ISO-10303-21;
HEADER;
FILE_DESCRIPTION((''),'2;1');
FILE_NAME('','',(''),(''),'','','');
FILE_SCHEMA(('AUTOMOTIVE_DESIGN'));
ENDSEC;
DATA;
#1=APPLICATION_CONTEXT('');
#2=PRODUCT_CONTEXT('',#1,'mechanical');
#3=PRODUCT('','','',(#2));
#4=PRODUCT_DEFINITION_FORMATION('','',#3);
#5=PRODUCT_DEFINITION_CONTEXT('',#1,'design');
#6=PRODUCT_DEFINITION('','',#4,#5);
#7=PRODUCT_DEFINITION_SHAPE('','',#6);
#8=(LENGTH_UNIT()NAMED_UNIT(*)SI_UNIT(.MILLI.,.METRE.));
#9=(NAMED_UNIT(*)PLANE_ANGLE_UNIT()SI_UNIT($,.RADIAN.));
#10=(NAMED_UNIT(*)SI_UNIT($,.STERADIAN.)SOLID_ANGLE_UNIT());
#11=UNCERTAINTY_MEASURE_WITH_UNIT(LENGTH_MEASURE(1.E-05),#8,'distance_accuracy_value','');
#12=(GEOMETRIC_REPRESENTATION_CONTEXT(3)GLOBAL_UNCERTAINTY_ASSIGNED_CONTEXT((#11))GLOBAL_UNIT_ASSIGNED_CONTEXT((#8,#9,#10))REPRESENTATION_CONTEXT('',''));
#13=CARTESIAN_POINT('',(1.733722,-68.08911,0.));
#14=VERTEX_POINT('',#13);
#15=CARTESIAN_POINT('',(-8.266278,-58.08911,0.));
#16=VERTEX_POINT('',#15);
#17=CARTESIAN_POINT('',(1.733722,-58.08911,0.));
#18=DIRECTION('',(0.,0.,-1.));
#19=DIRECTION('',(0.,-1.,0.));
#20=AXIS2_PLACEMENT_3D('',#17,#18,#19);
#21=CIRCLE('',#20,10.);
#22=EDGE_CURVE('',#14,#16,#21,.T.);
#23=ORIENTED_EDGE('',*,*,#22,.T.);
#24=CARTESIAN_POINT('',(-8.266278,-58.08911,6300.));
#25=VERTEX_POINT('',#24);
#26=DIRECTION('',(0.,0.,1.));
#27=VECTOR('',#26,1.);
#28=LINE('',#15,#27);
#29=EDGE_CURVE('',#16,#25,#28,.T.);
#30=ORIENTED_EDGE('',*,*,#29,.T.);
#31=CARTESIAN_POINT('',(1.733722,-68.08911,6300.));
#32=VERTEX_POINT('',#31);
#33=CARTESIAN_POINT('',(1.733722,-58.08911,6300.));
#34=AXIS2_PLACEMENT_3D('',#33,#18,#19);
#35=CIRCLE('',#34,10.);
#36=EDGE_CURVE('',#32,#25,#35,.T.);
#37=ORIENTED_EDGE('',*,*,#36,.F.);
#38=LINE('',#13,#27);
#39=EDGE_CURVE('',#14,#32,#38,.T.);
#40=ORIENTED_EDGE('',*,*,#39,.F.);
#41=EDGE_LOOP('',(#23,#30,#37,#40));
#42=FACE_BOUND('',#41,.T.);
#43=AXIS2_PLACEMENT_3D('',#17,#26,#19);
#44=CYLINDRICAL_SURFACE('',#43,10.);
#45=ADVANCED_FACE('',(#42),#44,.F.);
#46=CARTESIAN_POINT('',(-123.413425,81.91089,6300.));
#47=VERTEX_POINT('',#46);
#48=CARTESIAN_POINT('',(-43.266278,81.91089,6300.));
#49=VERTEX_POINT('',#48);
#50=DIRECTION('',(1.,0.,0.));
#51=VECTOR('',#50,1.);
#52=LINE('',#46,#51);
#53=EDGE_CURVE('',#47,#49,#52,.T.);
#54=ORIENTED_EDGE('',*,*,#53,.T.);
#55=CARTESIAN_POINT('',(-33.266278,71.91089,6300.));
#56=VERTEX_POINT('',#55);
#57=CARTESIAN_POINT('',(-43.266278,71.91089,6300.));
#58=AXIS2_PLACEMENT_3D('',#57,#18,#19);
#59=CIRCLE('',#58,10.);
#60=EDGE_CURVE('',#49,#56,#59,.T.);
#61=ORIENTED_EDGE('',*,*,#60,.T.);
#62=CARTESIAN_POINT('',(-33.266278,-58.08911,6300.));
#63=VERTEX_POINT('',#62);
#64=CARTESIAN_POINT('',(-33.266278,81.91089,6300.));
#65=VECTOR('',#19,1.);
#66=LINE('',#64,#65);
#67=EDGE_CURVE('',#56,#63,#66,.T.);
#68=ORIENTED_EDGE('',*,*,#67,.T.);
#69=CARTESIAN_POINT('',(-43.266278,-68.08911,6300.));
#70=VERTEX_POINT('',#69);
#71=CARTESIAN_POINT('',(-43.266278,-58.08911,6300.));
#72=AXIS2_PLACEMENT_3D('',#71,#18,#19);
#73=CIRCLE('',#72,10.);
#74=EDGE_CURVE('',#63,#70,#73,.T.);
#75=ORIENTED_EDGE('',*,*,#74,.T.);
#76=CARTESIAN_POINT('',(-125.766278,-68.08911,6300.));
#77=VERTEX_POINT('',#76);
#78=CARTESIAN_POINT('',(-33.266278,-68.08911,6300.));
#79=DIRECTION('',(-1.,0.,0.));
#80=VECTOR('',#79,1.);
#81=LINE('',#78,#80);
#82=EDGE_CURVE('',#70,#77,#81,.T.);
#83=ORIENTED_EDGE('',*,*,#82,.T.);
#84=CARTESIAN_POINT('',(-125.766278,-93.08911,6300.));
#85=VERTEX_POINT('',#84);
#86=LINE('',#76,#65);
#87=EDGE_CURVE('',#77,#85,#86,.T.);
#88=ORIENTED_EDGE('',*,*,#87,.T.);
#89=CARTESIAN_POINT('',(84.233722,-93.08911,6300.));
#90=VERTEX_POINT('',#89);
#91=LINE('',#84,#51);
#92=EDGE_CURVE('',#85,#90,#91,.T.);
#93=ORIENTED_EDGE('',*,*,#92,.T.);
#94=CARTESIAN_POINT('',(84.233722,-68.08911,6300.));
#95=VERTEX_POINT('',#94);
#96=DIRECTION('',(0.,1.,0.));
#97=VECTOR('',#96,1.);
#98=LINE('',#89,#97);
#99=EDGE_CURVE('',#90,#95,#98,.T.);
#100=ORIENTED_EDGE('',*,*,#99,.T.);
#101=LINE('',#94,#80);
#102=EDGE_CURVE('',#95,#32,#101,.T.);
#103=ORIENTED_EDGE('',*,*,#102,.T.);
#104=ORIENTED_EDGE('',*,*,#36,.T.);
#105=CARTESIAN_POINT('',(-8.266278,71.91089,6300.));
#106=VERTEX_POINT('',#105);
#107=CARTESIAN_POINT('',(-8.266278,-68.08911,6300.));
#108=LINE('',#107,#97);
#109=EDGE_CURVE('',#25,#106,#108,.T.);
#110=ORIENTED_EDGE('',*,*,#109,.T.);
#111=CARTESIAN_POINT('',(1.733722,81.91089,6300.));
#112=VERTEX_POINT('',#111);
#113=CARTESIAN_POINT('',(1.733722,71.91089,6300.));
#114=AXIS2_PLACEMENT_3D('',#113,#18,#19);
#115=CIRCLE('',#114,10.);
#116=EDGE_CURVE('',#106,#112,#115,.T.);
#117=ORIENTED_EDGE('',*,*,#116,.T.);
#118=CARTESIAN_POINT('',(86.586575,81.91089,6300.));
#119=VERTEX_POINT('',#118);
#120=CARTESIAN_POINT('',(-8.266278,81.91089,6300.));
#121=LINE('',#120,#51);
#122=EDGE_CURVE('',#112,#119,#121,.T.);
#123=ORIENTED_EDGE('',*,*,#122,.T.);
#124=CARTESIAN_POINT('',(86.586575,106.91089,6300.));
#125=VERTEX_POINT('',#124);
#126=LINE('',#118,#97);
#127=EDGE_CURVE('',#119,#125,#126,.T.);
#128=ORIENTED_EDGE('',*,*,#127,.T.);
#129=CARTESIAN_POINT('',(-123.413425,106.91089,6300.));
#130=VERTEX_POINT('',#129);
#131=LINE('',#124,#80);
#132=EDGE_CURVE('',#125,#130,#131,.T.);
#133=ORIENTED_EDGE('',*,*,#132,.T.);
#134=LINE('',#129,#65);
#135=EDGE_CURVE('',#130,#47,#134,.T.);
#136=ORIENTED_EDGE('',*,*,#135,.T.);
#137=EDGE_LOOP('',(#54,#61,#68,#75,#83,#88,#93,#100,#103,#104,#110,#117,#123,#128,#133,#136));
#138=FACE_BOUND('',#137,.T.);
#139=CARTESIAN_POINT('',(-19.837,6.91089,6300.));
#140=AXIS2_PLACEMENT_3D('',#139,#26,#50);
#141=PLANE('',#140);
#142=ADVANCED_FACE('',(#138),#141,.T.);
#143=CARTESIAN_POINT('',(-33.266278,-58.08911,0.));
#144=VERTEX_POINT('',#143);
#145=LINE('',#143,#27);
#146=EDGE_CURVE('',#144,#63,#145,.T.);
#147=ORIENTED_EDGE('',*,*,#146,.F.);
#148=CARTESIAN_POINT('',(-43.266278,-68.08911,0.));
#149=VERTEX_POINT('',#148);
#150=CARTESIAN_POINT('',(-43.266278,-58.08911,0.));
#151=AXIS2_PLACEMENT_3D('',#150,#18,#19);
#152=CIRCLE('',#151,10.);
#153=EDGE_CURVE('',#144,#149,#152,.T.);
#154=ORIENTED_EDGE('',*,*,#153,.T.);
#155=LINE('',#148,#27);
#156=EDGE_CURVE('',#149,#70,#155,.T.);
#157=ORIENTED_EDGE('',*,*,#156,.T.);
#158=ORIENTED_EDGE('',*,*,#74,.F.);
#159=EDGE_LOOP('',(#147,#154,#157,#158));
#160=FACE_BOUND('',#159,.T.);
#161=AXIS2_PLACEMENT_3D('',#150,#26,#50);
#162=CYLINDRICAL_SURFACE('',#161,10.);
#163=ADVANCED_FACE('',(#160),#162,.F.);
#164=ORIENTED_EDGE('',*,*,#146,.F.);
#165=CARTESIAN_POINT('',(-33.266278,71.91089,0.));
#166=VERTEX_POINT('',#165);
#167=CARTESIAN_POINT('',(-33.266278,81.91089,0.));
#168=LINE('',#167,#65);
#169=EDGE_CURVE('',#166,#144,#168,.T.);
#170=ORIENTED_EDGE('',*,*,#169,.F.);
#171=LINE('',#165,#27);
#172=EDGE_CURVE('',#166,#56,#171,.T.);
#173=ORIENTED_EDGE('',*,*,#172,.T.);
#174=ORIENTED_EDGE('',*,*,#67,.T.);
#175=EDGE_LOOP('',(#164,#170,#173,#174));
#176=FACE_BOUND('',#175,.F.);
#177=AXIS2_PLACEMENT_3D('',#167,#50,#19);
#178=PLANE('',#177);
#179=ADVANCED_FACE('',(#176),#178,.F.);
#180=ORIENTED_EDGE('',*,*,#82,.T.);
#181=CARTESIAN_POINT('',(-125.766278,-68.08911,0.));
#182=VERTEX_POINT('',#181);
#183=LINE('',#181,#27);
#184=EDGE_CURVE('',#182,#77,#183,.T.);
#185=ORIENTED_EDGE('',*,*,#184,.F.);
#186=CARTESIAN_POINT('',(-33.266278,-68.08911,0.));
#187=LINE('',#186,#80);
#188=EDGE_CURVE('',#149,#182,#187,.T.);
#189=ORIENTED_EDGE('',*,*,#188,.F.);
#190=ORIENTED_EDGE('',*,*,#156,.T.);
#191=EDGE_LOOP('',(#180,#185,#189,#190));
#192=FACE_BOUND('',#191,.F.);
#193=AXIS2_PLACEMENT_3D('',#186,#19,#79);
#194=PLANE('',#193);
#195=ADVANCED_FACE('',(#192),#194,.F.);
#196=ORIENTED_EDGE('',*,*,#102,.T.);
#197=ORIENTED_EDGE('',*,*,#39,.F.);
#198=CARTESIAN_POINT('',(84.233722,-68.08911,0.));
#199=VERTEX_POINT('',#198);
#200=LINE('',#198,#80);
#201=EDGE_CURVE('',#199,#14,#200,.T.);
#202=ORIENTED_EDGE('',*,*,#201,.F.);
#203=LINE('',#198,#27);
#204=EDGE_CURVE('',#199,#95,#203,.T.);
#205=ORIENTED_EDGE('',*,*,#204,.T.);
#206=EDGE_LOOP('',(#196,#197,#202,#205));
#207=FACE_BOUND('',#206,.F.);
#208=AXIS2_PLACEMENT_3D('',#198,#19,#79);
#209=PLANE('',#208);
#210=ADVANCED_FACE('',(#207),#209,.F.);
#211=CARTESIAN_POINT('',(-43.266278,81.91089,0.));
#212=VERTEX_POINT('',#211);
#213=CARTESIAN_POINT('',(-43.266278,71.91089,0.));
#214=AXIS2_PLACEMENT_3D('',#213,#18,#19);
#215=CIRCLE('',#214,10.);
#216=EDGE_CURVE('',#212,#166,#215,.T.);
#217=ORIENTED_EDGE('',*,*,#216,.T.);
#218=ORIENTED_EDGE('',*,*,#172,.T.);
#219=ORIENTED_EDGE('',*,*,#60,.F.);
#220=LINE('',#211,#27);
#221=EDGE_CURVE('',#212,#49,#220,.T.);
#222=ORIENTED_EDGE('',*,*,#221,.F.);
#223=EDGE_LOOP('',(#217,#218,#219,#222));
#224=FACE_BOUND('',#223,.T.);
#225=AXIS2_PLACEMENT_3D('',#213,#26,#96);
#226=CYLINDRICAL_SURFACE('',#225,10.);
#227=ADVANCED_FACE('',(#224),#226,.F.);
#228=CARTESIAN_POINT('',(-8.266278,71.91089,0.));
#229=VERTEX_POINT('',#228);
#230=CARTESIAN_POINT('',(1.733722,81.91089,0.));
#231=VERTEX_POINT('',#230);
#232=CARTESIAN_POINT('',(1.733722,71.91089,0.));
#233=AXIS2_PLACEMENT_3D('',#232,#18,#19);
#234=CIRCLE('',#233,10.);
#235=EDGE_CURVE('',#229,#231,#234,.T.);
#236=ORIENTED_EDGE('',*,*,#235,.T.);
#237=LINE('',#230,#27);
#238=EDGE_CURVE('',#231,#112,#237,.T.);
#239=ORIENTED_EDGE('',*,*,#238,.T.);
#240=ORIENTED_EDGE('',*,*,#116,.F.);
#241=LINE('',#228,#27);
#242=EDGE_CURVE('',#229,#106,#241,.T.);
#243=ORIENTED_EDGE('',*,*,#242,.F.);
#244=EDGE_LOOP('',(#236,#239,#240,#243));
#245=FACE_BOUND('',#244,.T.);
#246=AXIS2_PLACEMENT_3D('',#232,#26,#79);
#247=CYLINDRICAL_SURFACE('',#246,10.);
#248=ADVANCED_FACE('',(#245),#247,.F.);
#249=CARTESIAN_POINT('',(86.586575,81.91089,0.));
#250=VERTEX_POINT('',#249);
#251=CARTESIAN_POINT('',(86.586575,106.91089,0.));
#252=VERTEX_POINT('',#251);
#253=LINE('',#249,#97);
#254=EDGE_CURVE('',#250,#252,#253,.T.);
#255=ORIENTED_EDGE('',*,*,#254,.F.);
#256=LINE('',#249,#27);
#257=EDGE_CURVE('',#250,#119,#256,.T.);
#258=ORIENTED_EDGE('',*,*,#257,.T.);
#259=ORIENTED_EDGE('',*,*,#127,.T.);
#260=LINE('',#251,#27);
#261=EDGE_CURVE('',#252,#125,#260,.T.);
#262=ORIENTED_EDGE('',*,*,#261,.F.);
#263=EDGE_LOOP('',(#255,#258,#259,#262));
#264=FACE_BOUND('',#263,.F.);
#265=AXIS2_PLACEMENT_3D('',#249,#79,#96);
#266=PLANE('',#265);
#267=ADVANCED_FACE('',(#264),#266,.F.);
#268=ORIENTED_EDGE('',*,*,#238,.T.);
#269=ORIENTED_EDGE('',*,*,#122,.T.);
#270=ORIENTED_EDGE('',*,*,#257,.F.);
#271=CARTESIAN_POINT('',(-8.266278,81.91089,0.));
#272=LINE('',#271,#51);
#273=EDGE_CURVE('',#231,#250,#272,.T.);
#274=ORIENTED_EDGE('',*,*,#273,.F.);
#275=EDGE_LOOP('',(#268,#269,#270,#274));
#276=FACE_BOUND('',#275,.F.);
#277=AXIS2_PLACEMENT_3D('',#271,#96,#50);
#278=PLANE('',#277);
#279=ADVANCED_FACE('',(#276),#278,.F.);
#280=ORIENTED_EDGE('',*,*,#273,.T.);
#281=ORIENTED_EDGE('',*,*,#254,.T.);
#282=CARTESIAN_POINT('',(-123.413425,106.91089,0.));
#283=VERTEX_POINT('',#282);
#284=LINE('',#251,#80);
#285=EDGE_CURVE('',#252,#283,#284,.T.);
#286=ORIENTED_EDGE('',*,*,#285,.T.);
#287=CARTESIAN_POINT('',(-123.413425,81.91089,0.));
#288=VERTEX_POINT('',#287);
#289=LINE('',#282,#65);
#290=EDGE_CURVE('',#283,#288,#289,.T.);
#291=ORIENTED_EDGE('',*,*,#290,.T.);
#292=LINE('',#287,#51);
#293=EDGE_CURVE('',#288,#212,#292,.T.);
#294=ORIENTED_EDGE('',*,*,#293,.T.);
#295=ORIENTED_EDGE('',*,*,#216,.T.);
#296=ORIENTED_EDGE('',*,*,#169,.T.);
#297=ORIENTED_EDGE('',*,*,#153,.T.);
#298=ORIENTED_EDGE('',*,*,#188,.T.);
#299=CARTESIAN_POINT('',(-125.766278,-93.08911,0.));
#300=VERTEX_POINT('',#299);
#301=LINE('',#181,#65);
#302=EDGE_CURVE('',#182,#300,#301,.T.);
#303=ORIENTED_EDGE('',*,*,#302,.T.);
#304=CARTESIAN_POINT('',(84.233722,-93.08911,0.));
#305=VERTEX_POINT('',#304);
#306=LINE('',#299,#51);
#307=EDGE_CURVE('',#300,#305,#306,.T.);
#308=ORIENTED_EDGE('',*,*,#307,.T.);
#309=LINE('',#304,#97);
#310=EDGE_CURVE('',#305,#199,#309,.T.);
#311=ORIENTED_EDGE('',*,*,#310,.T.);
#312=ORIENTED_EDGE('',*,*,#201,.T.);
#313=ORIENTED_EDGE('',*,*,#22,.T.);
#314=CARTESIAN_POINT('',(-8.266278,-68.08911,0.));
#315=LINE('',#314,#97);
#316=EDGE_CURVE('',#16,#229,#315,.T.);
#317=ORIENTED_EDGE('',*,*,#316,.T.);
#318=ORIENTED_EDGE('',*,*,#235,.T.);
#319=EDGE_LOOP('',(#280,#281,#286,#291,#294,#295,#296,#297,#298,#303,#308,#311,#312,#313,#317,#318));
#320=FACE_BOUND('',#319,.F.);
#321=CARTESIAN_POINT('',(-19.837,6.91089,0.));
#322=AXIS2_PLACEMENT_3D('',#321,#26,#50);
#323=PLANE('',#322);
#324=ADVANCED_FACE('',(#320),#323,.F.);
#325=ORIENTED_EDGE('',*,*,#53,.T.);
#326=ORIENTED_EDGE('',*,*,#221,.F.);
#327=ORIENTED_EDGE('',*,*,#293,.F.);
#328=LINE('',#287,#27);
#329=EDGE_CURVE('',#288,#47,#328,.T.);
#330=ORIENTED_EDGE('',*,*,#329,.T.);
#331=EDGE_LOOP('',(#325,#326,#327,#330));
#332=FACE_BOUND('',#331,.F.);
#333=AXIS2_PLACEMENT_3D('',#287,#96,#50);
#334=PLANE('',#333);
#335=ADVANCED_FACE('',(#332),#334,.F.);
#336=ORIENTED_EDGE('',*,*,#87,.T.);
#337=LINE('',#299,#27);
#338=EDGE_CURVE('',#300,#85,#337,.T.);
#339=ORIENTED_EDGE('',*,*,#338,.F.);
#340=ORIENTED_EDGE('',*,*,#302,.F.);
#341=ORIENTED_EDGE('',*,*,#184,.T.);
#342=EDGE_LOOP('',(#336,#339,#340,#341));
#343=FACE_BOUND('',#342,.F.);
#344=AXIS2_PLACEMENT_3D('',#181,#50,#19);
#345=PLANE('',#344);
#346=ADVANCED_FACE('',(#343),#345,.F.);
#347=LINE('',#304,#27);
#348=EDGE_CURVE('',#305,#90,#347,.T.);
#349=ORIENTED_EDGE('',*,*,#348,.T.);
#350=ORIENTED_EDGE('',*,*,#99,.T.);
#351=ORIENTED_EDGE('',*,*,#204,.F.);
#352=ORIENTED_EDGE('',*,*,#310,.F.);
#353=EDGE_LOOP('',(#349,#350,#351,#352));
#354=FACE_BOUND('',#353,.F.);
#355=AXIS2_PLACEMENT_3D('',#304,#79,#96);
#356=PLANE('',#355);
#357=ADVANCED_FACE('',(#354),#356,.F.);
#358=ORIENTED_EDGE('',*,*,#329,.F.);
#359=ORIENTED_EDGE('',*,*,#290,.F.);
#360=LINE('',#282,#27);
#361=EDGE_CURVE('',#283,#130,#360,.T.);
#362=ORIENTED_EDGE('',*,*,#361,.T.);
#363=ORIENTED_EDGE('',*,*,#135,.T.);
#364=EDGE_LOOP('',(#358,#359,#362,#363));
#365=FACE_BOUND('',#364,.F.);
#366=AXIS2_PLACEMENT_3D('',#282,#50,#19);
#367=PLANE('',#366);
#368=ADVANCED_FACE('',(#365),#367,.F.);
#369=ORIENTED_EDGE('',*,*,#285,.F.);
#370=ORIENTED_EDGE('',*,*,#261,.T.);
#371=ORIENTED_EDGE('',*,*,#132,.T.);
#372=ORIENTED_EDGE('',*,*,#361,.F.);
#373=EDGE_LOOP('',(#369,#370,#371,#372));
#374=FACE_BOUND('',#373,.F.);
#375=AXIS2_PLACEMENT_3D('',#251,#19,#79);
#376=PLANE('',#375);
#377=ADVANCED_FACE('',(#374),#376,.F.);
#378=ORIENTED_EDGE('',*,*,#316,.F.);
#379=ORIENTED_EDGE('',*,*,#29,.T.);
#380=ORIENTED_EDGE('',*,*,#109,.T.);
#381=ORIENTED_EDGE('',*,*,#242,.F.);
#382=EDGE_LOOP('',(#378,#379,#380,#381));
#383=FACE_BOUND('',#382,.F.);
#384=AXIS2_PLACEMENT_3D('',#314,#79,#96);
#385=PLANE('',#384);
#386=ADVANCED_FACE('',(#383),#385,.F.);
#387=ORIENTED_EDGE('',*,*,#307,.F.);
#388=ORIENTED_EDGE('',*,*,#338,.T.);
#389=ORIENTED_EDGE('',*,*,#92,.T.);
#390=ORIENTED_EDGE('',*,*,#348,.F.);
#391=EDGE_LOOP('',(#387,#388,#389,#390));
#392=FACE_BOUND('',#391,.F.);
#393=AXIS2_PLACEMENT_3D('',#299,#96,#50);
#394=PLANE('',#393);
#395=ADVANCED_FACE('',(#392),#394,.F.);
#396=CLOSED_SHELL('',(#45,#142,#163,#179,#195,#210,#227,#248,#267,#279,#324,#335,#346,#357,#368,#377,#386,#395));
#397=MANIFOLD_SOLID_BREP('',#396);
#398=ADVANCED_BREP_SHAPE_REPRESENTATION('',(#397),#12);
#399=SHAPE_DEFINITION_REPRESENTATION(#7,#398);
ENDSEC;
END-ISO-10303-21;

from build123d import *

# Parameters (mm, degrees)
F1_DEPTH = 6300
F2_R     = 10


with BuildPart() as f1:
    # F0 (on Top) → F1 (new body)
    with BuildSketch(Plane.XY):
        Polygon((86.586575, 106.91089), (-123.413425, 106.91089), (-123.413425, 81.91089), (-33.266278, 81.91089), (-33.266278, -68.08911), (-125.766278, -68.08911), (-125.766278, -93.08911), (84.233722, -93.08911), (84.233722, -68.08911), (-8.266278, -68.08911), (-8.266278, 81.91089), (86.586575, 81.91089), align=None)
    extrude(amount=F1_DEPTH)

    # F2
    f2_edges = [f1.edges().sort_by_distance(p)[0] for p in [
        (-8.266278, 81.91089, 3150),
        (-33.266278, 81.91089, 3150),
        (-33.266278, -68.08911, 3150),
        (-8.266278, -68.08911, 3150),
    ]]
    fillet(f2_edges, radius=F2_R)


solid = f1.part
